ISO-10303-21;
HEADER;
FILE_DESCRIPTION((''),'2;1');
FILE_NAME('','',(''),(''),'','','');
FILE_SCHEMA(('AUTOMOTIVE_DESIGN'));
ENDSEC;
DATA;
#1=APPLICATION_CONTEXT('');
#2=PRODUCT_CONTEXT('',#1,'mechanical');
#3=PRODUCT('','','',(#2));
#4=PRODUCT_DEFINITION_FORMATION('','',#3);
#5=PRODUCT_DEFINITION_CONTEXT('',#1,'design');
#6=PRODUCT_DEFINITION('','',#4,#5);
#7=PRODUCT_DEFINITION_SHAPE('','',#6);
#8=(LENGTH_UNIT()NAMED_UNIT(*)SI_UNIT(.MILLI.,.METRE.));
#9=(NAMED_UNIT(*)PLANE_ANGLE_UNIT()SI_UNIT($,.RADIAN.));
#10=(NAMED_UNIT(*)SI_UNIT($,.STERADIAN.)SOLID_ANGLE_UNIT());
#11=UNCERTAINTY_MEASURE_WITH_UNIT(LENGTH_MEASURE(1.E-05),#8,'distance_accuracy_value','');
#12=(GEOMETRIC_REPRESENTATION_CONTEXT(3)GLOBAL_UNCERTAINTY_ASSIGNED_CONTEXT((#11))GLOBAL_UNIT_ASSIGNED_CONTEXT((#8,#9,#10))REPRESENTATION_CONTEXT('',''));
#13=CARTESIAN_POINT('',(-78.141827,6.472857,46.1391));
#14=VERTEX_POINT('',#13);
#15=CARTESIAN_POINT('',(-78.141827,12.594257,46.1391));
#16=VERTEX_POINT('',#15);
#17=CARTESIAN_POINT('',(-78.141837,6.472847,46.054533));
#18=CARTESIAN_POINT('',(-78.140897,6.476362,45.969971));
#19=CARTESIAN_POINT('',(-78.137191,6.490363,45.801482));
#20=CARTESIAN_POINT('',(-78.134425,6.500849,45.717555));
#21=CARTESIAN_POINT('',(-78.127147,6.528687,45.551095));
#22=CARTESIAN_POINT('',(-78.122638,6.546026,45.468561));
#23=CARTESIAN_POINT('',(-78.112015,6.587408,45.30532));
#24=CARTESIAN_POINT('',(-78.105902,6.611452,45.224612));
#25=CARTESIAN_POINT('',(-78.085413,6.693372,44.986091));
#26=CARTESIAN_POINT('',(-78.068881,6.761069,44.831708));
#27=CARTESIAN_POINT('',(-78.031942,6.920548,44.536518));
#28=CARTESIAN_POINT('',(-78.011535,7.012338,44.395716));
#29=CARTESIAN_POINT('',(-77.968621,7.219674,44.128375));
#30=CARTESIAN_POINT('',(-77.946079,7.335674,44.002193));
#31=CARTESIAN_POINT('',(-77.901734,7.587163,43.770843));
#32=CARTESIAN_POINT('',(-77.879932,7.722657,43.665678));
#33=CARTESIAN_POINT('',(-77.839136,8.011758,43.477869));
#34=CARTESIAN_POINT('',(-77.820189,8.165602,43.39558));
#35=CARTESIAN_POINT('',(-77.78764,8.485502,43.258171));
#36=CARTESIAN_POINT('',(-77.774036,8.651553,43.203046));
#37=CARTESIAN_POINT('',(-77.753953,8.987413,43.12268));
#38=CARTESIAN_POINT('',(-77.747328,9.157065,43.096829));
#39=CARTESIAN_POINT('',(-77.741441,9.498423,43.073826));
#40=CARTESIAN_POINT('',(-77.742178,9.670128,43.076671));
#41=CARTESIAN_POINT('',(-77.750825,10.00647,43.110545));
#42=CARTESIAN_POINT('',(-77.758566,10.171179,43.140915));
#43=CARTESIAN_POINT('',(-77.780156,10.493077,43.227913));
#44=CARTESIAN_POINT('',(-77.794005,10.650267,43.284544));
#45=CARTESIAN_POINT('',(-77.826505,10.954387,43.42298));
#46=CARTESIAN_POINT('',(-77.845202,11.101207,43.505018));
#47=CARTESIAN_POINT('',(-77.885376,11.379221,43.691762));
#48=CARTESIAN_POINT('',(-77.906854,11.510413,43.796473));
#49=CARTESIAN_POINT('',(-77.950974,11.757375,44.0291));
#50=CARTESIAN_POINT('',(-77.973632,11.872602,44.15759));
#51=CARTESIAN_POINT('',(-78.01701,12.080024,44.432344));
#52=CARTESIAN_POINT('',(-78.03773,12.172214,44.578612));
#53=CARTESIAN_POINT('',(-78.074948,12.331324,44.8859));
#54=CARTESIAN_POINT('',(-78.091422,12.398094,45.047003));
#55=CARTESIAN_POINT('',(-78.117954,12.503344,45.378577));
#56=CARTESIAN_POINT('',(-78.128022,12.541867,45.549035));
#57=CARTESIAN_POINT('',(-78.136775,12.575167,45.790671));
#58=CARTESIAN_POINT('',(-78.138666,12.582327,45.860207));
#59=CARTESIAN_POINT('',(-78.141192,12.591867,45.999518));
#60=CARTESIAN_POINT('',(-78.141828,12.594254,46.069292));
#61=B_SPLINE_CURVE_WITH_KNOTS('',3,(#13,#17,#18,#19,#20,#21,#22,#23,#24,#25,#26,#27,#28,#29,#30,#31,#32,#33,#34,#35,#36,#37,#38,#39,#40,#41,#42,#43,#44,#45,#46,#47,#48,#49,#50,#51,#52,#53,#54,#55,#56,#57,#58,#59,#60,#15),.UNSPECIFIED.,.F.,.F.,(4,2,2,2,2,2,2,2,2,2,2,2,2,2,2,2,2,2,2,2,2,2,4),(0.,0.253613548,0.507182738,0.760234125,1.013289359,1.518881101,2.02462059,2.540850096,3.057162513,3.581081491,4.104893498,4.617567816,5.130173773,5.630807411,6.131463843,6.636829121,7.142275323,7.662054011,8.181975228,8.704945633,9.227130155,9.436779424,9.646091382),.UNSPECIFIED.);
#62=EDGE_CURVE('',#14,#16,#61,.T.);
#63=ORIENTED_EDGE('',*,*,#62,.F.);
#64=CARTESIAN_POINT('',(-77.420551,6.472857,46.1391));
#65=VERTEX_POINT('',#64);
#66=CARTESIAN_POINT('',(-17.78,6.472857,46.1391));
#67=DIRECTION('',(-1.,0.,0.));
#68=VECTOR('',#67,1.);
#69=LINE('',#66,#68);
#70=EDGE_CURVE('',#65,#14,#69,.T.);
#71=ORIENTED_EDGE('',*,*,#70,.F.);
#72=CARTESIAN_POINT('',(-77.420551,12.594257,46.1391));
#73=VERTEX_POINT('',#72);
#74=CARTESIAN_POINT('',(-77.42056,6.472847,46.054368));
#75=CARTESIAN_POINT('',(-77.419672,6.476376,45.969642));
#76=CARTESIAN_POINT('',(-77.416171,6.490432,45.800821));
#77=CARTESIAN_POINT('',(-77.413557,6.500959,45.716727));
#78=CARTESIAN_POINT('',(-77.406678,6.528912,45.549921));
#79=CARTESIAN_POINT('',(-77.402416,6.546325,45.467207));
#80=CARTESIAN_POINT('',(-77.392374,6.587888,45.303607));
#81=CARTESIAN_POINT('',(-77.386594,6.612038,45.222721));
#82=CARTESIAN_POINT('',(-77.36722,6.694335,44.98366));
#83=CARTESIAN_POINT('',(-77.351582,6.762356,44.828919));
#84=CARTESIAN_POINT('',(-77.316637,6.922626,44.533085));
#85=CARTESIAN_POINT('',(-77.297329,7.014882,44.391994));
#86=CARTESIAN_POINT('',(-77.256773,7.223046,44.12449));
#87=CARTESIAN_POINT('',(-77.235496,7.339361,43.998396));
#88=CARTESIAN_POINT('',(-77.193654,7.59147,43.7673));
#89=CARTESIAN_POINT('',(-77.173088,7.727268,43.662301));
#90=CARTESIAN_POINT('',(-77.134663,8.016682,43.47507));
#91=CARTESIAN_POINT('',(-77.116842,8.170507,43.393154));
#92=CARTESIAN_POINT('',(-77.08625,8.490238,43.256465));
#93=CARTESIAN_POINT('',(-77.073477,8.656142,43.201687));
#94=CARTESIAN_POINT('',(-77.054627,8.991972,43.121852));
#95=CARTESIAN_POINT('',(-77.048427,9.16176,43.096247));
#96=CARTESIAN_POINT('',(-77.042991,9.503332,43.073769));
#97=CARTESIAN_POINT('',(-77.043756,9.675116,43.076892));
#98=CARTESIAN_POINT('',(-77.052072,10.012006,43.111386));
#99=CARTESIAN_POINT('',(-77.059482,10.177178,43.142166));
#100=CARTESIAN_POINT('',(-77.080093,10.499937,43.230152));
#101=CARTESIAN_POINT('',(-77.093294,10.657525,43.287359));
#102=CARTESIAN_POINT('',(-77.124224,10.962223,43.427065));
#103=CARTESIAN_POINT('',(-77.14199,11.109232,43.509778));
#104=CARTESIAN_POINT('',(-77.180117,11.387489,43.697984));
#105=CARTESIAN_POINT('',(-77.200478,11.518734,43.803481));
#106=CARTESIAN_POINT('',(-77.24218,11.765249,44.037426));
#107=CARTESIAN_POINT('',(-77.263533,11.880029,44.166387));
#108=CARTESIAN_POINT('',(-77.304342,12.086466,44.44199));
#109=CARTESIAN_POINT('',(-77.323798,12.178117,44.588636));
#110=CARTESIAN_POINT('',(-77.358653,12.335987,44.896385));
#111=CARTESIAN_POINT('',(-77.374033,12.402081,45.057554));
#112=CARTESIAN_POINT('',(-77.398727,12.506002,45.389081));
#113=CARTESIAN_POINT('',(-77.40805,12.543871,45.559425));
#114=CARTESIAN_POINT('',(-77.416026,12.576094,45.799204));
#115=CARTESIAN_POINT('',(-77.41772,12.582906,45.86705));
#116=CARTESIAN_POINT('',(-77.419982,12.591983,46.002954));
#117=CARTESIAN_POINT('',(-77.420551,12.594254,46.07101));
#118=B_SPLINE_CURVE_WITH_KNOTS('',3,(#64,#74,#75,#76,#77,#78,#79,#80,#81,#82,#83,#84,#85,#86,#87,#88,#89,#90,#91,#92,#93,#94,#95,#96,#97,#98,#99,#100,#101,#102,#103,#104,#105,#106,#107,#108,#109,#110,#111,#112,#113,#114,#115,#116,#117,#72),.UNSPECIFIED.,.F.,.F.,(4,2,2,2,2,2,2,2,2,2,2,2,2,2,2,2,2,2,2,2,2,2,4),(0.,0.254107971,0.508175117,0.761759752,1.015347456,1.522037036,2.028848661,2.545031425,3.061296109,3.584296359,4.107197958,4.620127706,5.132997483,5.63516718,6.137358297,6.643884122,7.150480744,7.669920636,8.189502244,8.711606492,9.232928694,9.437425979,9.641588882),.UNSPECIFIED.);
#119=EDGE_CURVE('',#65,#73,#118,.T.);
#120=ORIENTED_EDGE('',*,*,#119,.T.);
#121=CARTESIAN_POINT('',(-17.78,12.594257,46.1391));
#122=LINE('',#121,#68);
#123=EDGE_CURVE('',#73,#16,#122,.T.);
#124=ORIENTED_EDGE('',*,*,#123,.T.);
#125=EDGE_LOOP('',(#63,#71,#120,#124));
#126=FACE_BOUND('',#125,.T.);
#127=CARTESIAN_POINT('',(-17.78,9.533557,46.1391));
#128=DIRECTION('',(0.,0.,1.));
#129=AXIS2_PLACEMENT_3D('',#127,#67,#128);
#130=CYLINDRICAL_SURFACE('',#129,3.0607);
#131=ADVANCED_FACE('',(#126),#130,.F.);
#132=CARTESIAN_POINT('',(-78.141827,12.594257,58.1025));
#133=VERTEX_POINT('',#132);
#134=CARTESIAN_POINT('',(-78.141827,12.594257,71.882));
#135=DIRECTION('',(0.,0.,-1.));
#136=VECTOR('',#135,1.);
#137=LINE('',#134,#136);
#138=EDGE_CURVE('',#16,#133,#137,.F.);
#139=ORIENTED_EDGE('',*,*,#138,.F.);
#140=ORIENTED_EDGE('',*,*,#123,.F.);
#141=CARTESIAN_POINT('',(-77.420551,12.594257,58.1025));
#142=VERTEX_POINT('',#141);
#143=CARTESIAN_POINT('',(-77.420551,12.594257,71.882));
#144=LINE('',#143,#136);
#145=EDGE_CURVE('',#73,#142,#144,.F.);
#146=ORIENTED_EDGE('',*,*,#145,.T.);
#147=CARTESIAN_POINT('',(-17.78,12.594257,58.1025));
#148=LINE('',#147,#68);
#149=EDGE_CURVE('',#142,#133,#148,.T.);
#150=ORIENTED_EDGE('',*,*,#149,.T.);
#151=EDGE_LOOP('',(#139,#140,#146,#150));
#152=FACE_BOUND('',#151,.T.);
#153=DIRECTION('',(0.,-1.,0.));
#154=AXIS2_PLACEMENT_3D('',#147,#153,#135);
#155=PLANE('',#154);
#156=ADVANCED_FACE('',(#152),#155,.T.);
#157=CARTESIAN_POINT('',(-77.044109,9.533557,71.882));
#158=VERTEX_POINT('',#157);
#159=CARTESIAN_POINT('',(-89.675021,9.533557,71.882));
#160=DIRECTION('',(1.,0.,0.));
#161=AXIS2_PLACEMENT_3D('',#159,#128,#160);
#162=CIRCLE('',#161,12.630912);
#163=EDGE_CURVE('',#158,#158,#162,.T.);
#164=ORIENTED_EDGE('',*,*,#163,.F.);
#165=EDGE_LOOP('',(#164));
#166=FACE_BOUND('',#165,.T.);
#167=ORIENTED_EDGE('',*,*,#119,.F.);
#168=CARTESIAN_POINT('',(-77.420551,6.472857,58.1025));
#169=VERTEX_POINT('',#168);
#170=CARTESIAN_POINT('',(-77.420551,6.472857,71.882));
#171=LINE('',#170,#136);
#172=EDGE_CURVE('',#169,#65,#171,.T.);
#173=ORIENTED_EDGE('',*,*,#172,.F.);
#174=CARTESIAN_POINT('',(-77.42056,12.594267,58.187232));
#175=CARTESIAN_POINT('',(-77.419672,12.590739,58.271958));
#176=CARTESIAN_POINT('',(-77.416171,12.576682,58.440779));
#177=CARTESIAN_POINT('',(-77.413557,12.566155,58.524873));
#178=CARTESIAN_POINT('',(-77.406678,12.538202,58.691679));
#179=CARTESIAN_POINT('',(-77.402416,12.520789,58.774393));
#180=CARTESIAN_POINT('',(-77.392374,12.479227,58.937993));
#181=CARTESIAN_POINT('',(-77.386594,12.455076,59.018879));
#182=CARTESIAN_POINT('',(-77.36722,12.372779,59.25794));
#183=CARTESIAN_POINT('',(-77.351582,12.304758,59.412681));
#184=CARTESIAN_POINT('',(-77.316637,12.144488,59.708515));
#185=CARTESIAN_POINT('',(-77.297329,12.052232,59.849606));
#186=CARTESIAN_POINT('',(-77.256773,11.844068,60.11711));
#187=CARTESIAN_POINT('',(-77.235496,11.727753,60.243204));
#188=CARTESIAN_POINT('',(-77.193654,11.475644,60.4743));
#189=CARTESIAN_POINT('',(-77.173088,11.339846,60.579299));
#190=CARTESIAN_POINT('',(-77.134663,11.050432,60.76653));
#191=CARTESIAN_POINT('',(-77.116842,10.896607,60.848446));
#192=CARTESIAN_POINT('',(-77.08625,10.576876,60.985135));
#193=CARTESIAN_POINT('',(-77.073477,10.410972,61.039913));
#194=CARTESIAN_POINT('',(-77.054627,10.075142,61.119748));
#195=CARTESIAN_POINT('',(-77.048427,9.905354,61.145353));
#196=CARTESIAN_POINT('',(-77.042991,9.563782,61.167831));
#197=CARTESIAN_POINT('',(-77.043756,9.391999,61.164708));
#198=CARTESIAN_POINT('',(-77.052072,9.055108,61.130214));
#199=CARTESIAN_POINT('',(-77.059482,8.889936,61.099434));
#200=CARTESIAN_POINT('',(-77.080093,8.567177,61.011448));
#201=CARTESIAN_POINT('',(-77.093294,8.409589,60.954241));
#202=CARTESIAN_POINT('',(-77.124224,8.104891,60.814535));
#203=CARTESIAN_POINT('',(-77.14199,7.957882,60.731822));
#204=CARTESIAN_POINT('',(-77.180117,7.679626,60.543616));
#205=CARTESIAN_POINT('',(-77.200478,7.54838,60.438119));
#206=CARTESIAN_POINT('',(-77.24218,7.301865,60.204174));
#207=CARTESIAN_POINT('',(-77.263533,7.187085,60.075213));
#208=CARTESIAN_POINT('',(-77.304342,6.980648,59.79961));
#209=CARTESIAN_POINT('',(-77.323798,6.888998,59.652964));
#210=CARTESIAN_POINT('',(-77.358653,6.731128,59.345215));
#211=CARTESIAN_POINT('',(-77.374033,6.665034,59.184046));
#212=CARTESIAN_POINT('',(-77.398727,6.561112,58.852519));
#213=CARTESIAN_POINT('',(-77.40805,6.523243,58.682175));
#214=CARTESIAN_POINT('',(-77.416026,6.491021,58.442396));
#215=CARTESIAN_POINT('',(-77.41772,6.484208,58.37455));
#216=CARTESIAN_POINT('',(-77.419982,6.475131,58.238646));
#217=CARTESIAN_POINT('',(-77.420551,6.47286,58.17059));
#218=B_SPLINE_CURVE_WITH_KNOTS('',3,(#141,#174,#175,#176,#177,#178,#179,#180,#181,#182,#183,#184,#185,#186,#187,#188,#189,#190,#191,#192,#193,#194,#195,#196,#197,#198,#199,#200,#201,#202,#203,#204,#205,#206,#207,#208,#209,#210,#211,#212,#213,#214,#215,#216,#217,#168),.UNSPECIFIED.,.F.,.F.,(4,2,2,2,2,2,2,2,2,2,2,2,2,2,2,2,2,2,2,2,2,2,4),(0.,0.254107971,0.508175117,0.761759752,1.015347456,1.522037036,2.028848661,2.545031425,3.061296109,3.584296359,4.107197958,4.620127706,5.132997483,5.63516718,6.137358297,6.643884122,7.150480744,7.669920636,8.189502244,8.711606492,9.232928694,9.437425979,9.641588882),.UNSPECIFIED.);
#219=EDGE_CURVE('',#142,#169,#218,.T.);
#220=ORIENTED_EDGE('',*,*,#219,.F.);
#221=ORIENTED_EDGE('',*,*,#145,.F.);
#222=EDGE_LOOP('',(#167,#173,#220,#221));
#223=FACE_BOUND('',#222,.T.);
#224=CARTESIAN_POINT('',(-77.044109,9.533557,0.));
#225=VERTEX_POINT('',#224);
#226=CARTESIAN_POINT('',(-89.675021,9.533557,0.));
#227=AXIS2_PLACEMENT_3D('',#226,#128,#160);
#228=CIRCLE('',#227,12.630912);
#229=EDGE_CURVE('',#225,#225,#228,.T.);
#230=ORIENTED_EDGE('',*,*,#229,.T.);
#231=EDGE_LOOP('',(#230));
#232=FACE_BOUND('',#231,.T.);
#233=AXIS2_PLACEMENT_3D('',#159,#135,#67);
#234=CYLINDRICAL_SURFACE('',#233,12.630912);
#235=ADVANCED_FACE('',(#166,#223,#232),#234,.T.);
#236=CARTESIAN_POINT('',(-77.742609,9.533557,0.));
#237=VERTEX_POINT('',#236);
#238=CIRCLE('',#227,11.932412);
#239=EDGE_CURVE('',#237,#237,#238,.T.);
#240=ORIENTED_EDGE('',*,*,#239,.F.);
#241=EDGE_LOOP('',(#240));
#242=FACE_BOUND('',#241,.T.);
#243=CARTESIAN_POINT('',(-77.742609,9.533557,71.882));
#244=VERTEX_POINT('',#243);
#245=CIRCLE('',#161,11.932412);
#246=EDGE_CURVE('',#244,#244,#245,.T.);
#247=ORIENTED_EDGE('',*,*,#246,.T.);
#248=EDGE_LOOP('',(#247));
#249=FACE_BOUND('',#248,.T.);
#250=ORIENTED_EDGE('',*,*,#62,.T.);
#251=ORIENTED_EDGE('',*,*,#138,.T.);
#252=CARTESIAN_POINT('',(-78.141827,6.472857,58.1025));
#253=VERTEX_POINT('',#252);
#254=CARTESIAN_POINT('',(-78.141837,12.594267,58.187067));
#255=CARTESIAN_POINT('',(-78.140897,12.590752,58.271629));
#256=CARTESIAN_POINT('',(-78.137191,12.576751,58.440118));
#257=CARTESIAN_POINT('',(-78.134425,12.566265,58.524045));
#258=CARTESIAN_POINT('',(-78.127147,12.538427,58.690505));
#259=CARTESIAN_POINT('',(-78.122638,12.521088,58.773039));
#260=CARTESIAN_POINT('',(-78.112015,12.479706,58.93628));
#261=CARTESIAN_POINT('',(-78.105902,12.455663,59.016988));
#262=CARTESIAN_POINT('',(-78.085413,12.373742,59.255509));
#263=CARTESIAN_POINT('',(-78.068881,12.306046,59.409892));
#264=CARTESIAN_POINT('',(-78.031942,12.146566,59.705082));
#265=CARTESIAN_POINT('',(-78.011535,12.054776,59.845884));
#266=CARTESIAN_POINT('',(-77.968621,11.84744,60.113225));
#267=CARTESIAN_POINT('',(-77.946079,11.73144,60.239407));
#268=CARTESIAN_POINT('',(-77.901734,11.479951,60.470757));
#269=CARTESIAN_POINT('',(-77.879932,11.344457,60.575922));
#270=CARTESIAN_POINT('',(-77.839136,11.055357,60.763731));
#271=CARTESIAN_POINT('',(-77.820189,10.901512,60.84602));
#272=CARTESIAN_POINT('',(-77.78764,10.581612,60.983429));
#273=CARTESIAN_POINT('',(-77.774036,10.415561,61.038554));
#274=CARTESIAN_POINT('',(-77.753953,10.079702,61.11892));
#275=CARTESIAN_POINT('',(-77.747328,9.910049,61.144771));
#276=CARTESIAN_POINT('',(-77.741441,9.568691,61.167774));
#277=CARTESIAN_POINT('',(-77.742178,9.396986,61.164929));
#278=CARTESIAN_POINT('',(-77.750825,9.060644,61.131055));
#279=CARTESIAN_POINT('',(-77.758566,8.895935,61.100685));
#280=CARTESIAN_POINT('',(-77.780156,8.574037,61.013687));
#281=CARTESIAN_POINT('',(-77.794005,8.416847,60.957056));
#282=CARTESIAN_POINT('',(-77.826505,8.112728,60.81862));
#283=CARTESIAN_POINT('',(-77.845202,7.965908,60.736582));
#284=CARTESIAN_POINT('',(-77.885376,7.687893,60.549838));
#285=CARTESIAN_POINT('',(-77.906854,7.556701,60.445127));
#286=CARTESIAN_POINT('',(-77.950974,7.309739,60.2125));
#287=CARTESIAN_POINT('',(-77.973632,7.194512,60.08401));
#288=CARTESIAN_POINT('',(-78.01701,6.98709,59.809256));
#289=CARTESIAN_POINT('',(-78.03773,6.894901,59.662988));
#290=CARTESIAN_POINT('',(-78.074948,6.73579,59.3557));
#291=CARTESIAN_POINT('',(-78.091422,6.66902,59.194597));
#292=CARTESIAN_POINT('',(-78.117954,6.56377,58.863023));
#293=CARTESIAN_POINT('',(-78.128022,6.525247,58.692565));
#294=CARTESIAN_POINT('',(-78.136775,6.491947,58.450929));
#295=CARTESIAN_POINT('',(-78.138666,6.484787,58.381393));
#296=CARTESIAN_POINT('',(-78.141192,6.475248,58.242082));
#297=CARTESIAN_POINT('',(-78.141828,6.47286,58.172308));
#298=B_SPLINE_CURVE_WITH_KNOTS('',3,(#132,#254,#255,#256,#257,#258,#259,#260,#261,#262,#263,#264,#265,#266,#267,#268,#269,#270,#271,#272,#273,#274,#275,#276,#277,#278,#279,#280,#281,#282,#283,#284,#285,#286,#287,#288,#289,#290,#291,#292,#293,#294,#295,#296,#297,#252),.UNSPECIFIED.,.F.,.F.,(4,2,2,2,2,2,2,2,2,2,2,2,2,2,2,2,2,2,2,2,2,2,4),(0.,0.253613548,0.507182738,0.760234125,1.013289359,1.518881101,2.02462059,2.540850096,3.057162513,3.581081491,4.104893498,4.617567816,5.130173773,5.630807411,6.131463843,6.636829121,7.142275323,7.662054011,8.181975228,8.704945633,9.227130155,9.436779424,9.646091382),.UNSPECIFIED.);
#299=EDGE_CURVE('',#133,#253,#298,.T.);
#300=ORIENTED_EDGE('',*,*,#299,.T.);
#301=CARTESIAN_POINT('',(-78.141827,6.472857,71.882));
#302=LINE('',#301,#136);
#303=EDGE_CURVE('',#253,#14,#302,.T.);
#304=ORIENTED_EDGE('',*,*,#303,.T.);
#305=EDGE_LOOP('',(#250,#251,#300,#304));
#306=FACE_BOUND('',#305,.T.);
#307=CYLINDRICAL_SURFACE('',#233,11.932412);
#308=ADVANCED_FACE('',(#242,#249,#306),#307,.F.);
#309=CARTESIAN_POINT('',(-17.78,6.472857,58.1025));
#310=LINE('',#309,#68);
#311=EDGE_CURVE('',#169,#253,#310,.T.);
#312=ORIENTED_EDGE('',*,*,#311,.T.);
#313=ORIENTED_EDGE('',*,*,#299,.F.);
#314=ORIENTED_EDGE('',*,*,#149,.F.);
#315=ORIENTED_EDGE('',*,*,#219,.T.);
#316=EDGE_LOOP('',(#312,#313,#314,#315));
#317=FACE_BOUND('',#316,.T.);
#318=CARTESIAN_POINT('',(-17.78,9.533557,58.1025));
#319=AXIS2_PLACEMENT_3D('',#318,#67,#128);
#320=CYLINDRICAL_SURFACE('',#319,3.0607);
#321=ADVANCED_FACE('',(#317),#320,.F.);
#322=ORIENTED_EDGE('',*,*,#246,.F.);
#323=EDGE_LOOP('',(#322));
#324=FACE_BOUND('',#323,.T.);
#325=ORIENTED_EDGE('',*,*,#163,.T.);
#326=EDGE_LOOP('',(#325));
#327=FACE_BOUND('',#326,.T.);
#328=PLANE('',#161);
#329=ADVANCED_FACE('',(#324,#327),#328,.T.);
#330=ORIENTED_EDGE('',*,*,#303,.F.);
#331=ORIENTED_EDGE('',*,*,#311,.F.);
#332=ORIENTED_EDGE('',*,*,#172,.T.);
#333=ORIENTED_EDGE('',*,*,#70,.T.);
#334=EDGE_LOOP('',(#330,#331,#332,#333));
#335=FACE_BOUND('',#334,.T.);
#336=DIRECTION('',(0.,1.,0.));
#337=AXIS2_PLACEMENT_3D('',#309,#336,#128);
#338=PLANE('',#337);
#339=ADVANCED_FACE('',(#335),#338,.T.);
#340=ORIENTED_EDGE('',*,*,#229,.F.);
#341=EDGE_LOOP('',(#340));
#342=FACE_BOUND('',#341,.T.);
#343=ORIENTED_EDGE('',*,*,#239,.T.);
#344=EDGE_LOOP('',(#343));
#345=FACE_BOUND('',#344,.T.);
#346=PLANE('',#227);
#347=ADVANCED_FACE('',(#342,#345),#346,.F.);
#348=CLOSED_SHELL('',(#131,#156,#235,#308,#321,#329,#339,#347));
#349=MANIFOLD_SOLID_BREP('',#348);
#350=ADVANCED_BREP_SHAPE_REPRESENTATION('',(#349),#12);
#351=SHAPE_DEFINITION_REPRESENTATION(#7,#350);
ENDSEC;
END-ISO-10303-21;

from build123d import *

# Parameters (mm, degrees)
SKETCH1_R           = 12.630912
BOSS_EXTRUDE1_DEPTH = 71.882
SHELL1_T            = -0.6985
CUT_EXTRUDE1_DEPTH  = 71.882


with BuildPart() as part:
    # Sketch1 → Boss-Extrude1 (new body)
    with BuildSketch(Plane.XY):
        with Locations((-89.675021381, 9.53355709)):
            Circle(SKETCH1_R)
    extrude(amount=BOSS_EXTRUDE1_DEPTH)

    # Shell1
    shell1_openings = [part.faces().sort_by_distance(p)[0] for p in [
        (-89.675021381, 9.53355709, 71.882),
        (-89.675021381, 9.53355709, 0),
    ]]
    offset(amount=SHELL1_T, openings=shell1_openings, kind=Kind.INTERSECTION)

    # Sketch4 → Cut-Extrude1 (cut)
    with BuildSketch(Plane(origin=(-89.662, 0, 0), x_dir=(0, 0, -1), z_dir=(1, 0, 0))):
        with BuildLine():
            Line((-58.1025, 12.59425709), (-46.1391, 12.59425709))
            ThreePointArc((-46.1391, 12.59425709), (-43.0784, 9.53355709), (-46.1391, 6.47285709))
            Line((-46.1391, 6.47285709), (-58.1025, 6.47285709))
            ThreePointArc((-58.1025, 6.47285709), (-61.1632, 9.53355709), (-58.1025, 12.59425709))
        make_face()
    extrude(amount=CUT_EXTRUDE1_DEPTH, mode=Mode.SUBTRACT)


solid = part.part
